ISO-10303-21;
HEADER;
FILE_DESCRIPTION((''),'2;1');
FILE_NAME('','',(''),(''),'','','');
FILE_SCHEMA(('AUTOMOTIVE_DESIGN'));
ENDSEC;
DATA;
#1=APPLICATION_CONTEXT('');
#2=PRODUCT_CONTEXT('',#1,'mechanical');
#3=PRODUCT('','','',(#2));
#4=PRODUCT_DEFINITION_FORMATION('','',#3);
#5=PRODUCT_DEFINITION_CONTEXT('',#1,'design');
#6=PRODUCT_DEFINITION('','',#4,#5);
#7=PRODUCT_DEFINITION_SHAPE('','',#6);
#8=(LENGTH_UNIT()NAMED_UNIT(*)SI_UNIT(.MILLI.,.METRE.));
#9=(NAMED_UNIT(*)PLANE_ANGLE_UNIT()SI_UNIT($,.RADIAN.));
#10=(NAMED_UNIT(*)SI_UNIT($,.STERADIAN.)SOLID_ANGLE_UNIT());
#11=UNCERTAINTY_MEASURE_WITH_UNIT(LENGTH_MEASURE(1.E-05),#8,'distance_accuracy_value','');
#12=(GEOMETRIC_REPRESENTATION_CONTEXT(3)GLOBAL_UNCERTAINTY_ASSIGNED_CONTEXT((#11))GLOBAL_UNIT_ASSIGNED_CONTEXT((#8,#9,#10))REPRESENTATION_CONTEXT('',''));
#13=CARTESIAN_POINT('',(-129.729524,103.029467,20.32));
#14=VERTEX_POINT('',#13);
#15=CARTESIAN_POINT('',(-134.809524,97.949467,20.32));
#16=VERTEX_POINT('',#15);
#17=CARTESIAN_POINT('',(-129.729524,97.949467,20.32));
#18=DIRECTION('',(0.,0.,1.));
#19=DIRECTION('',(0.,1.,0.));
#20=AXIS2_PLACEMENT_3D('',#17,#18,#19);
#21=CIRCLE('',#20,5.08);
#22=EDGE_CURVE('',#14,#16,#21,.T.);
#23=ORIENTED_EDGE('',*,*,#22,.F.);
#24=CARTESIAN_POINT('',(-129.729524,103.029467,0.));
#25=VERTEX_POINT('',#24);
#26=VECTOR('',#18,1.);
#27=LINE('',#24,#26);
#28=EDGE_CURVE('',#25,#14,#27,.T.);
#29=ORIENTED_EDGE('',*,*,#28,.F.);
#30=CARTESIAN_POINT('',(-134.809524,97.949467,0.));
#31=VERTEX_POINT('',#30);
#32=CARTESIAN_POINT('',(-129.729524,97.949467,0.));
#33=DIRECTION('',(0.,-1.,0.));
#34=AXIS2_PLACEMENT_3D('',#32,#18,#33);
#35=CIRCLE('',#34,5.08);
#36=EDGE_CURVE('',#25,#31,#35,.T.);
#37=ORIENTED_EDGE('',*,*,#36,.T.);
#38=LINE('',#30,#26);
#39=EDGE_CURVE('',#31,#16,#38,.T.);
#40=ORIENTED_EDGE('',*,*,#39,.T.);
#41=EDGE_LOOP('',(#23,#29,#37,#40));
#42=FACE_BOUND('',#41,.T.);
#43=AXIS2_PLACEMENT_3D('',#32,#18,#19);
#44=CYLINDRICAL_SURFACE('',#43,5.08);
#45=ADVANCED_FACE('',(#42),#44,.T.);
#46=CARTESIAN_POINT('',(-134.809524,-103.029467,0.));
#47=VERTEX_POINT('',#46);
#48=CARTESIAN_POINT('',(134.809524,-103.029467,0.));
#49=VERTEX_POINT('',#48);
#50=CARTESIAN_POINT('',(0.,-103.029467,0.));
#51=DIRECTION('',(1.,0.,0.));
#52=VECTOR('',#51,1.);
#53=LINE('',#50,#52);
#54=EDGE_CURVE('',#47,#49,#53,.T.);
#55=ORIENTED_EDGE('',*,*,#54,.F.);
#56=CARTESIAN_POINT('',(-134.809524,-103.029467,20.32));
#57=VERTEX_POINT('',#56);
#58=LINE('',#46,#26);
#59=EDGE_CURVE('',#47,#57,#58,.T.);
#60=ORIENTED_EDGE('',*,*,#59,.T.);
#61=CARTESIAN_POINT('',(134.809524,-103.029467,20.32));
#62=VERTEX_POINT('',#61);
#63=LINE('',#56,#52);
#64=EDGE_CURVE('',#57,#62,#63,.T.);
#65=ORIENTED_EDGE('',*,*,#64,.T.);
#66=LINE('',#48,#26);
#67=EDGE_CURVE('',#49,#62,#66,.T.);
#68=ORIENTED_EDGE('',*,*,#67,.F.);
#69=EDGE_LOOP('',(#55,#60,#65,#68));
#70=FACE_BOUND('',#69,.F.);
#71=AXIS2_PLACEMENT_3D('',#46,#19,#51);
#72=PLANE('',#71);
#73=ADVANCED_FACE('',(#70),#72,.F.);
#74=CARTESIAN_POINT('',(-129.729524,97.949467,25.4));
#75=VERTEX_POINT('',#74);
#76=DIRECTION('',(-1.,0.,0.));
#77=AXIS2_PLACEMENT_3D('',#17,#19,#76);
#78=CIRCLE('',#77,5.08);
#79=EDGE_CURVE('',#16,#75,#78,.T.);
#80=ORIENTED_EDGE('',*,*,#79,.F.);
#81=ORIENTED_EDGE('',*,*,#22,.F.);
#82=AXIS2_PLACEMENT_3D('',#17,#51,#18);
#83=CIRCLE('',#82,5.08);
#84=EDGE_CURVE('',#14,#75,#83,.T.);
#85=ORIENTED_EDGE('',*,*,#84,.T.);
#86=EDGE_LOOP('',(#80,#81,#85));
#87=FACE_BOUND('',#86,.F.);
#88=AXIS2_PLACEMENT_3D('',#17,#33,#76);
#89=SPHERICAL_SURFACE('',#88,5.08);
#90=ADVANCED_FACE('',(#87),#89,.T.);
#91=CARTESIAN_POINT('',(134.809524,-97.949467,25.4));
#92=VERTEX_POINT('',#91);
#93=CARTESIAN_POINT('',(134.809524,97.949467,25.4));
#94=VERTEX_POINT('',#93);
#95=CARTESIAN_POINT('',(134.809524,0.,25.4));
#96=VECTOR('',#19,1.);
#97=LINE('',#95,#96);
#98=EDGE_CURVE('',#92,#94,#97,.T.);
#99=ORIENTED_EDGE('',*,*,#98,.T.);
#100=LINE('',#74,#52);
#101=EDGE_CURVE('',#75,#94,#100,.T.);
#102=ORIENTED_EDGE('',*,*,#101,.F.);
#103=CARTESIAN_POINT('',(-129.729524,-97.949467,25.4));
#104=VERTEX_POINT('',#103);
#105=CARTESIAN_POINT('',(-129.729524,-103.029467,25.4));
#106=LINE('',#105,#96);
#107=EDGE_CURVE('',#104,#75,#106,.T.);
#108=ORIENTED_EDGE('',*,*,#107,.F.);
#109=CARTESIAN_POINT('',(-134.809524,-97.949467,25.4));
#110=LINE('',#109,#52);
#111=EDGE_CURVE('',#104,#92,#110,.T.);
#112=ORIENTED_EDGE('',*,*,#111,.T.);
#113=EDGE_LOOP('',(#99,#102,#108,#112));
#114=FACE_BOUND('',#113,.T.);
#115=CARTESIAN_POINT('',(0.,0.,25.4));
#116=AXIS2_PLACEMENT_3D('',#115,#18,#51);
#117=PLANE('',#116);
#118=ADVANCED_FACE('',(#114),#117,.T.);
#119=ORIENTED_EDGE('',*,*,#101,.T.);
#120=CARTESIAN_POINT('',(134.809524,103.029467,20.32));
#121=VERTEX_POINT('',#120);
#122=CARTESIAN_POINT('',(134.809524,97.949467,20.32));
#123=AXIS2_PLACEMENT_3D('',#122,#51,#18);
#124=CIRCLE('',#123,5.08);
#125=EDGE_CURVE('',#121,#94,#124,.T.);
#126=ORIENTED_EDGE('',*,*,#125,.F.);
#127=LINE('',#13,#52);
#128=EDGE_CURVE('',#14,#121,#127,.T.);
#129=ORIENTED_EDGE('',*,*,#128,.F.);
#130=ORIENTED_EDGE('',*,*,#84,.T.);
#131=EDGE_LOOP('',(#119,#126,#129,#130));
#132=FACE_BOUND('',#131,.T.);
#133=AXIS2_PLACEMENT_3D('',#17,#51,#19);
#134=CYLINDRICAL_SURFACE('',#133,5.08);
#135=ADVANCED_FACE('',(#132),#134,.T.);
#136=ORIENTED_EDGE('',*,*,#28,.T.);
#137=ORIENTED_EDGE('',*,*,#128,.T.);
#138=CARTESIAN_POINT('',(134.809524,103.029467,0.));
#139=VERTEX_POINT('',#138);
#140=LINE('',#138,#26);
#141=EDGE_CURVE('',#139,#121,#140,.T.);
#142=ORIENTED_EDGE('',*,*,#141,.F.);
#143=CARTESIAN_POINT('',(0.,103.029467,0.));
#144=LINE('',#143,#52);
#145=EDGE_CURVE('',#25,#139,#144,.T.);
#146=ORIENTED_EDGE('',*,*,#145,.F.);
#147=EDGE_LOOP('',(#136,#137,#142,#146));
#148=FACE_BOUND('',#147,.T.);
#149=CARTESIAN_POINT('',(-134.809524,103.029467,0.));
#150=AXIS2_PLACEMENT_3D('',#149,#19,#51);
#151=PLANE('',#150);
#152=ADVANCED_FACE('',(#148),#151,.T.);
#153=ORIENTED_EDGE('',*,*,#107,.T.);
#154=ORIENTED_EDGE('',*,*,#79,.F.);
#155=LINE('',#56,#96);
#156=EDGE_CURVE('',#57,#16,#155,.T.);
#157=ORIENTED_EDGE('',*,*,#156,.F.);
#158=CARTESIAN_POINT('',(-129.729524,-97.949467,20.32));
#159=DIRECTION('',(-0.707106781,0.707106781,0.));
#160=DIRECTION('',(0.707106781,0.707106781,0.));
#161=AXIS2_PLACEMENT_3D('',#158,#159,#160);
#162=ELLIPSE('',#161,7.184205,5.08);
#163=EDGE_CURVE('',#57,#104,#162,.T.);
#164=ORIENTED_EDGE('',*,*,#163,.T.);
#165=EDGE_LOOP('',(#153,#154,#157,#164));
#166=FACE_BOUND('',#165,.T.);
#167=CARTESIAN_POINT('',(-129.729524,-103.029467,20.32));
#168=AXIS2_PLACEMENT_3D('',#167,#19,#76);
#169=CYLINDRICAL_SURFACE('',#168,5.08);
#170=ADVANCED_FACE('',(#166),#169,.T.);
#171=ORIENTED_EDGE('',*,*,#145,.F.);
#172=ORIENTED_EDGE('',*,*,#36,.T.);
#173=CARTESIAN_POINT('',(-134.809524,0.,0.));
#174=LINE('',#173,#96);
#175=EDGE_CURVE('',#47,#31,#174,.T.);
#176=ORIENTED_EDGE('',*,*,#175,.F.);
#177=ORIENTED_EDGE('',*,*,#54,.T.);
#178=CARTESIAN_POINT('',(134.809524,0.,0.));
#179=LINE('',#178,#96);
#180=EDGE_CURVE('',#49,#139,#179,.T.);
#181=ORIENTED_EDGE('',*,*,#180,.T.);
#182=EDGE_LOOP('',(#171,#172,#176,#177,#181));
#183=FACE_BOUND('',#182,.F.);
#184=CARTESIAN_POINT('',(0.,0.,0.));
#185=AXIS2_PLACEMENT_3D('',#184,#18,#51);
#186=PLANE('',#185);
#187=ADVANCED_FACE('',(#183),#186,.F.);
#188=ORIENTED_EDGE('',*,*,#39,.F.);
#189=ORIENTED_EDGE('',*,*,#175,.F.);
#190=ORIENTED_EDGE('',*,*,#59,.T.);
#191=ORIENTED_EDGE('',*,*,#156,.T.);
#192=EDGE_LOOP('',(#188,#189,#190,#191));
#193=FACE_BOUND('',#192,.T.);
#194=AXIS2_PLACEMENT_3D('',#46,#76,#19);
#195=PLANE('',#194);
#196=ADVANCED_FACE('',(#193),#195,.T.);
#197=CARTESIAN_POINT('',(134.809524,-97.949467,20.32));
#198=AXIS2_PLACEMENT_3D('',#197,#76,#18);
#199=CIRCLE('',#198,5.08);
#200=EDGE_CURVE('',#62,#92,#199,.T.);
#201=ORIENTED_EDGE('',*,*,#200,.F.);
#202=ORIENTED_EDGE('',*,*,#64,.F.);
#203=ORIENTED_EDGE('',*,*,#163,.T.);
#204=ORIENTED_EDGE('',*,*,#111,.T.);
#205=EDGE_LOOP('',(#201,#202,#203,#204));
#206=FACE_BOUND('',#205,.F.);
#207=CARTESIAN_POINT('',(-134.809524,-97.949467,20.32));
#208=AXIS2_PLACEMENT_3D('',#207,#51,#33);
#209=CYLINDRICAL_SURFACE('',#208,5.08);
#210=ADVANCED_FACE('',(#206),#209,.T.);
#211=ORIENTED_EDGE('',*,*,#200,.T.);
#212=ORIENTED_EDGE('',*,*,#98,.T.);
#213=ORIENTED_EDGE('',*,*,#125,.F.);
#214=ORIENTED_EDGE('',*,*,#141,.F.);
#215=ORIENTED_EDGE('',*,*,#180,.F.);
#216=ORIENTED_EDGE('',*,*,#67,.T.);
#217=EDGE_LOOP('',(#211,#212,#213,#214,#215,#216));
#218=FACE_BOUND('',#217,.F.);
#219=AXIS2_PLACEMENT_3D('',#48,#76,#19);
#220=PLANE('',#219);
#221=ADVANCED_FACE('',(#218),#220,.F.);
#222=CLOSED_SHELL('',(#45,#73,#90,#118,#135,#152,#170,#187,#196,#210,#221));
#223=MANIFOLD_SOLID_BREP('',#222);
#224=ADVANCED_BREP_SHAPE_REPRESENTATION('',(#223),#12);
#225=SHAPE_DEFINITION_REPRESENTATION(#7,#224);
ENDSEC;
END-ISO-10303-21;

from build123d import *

# Parameters (mm, degrees)
F0_W     = 269.619048
F0_H     = 206.058934
F1_DEPTH = 25.4
F2_R     = 5.08
F3_R     = 5.08


with BuildPart() as f1:
    # F0 (on Top) → F1 (new body)
    with BuildSketch(Plane.XY):
        Rectangle(F0_W, F0_H)
    extrude(amount=F1_DEPTH)

    # F2
    f2_edges = [f1.edges().sort_by_distance(p)[0] for p in [
        (-134.809524, 0, 25.4),
        (0, -103.029467, 25.4),
    ]]
    fillet(f2_edges, radius=F2_R)

    # F3
    f3_edges = [f1.edges().sort_by_distance(p)[0] for p in [
        (2.54, 103.029467, 25.4),
    ]]
    fillet(f3_edges, radius=F3_R)


solid = f1.part
